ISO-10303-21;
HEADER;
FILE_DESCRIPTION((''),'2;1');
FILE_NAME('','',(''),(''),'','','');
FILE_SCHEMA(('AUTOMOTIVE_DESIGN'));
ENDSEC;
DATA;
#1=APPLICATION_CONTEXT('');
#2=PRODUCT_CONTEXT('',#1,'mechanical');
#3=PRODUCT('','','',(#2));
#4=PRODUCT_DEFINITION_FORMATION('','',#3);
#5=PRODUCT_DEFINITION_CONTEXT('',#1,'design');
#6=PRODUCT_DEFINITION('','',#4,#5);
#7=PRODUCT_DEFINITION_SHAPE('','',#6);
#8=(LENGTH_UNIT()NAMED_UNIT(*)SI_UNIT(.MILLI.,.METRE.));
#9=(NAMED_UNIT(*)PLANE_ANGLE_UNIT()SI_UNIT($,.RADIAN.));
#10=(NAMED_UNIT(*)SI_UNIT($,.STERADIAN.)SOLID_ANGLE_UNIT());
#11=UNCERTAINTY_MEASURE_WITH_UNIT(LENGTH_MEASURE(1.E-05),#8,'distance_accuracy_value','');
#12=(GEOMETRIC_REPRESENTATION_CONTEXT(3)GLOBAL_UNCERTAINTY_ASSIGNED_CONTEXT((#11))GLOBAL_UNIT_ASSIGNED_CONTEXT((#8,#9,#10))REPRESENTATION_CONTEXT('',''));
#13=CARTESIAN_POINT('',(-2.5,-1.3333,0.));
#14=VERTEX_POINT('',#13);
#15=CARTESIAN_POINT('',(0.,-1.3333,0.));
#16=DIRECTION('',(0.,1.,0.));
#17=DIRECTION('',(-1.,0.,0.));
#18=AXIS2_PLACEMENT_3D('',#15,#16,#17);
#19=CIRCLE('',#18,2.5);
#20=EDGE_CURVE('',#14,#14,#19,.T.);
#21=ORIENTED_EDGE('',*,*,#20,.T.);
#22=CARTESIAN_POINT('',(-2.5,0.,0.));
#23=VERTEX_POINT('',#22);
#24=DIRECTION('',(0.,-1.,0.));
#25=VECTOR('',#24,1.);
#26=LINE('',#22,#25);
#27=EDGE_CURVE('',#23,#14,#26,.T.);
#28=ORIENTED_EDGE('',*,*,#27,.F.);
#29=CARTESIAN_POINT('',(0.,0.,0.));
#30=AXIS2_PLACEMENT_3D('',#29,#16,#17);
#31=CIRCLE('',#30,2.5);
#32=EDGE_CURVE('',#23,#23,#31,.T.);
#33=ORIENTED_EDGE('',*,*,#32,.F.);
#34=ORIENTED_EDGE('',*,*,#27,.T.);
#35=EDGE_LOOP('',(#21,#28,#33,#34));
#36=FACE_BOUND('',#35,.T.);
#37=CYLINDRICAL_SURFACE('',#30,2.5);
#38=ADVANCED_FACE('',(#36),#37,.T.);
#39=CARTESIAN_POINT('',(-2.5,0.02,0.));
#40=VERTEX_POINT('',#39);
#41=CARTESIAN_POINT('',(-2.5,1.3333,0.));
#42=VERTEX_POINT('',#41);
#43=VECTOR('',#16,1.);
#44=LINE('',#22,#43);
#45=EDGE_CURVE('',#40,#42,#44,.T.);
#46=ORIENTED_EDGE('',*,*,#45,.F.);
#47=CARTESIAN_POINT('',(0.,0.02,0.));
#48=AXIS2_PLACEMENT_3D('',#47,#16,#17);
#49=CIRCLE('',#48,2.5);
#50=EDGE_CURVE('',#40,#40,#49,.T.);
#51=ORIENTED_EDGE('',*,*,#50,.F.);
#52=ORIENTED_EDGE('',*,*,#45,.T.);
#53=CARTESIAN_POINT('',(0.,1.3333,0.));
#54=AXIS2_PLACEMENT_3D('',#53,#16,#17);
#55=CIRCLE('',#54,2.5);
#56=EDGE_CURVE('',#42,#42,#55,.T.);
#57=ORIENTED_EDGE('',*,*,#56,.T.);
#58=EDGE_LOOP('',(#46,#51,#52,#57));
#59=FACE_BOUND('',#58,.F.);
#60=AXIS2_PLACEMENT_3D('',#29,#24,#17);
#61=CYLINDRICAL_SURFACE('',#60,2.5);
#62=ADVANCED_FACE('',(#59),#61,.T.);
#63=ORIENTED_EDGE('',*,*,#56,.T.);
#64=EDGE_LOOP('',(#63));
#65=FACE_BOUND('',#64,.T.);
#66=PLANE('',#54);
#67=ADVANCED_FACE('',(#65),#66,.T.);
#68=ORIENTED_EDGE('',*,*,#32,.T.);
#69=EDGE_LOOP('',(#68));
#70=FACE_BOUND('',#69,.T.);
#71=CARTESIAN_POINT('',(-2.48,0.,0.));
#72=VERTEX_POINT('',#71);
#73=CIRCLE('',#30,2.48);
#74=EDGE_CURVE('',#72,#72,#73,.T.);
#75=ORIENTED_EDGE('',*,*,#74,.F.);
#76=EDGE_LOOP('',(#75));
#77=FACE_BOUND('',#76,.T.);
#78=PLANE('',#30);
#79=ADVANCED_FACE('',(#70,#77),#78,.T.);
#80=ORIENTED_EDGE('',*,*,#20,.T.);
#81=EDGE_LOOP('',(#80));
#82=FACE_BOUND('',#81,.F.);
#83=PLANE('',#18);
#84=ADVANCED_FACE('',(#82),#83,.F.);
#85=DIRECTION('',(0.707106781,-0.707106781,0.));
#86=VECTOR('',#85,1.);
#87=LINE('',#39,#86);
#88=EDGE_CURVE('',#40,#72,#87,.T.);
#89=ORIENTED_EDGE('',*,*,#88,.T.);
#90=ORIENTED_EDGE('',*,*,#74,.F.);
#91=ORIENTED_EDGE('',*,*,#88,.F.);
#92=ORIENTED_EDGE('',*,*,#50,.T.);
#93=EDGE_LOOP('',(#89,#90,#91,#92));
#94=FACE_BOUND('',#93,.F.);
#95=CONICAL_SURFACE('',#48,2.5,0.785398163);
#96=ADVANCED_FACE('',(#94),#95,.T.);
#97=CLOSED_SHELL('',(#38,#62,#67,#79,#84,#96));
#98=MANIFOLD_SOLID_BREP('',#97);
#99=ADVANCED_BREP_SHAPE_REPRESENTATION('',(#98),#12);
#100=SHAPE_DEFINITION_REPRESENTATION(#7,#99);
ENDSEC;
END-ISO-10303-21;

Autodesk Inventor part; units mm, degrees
ref_plane "YZ Plane" through (0, 0, 0) normal (1, 0, 0) x (0, 1, 0)
ref_plane "XZ Plane" through (0, 0, 0) normal (0, 1, 0) x (-1, 0, 0)
ref_plane "XY Plane" through (0, 0, 0) normal (0, 0, 1) x (1, 0, 0)
sketch "Sketch1" plane through (0, 0, 0) normal (0, 1, 0) x (-1, 0, 0)
  circle A0 centre (0, 0) radius 2.5
  dimension "d0" = 5
extrude "Extrusion1" add sketch "Sketch1" along normal blind 1.3333
chamfer "Chamfer1" distance 0.02 angle 45 1 edges at (2.5, 0, 0)
extrude "Extrusion2" add sketch "Sketch1" against normal blind 1.3333
equation "\"d0\" = sensorMagnet_diameter"
equation "\"d1\" = 0.5 * sensorMagnet_height"
equation "\"d6\" = 0.5 * sensorMagnet_height"
equation "\"gap\" = 0.1"
equation "\"airgap\" = 0.4"
equation "\"driveMagnet_height\" = 5"
equation "\"halbachMagnet_height\" = 3"
equation "\"sensorMagnet_diameter\" = 5"
equation "\"sensorMagnet_height\" = 2.66667"
equation "\"wallgap\" = 2"
equation "\"motorRadius\" = 2 * gap + driveMagnet_centerSpacingRadius + driveMagnet_length + 2 * wallgap"
equation "\"shaftDiameter\" = 8"
equation "\"flangeBearing_outerDiameter\" = 16"
equation "\"flangeBearing_innerDiameter\" = shaftDiameter"
equation "\"flangeBearing_height\" = 5"
equation "\"flangeBearing_flangeHeight\" = 1"
equation "\"flangeBearing_flangeDiameter\" = 18"
equation "\"magnetTrapNut_height\" = 1.2"
equation "\"magnetTrapNut_sideToSide\" = 4"
equation "\"magnetTrapBolt_headHeight\" = 2"
equation "\"magnetTrapBolt_headDiameter\" = 3.98"
equation "\"magnetTrapBolt_diameter\" = 2"
equation "\"statorThickness\" = coilThickness + 2 * wallgap"
equation "\"rotor_mountingLipHeight\" = 0.5 * statorThickness"
equation "\"magnetTrapHexNut_sideToSide\" = 4"
equation "\"magnetTrapSquareNut_sideLength\" = 4"
equation "\"magnetTrapSquareNut_height\" = 1.2"
equation "\"magnetTrapHexNut_height\" = 1.2"
equation "\"rotorRadius\" = 2 * gap + driveMagnet_centerSpacingRadius + driveMagnet_length + wallgap"
equation "\"rotorBandSquareNut_sideLength\" = 4"
equation "\"rotorBandHexNut_height\" = 1.2"
equation "\"rotorBandHexNut_sideToSide\" = 4"
equation "\"rotorBandSquareNut_height\" = 1.2"
equation "\"rotorBandBolt_headHeight\" = 2"
equation "\"rotorBandBolt_headDiameter\" = 3.98"
equation "\"rotorBandBolt_diameter\" = 2"
equation "\"rotorBandThickness\" = wallgap + rotorBandBolt_headHeight + gap"
equation "\"flangeCoupling_collarOuterDiameter\" = 16"
equation "\"flangeCoupling_flangeHoleEdgeToEdge\" = 2.05"
equation "\"flangeCoupling_innerDiameter\" = shaftDiameter"
equation "\"flangeCoupling_flangeHoleDiameter\" = 3.9"
equation "\"flangeCoupling_flangeHeight\" = 3.1"
equation "\"flangeCoupling_flangeDiameter\" = 32"
equation "\"flangeCoupling_height\" = flangeCoupling_collarHeight + flangeCoupling_flangeHeight"
equation "\"flangeCoupling_mountHoleDiameter\" = 3.9"
equation "\"flangeCoupling_mountHoleEdgeToEdge\" = 2.05"
equation "\"statorRadius\" = driveMagnet_length + driveMagnet_centerSpacingRadius + 2 * gap"
equation "\"coilThickness\" = 12"
equation "\"statorMountBolt_diameter\" = 4"
equation "\"statorMountBolt_headDiameter\" = 7"
equation "\"statorMountBolt_headHeight\" = 4"
equation "\"statorMountBolt_shaftLength\" = coilThickness + flangeCoupling_flangeHeight + wallgap"
equation "\"statorMountHexNut_height\" = 4"
equation "\"statorMountHexNut_sideToSide\" = 8"
equation "\"sensorMagnet_ringRadius\" = 0.5 * driveMagnet_centerSpacingRadius + 2 * wallgap"
equation "\"coil_percentCoverage\" = 0.6"
equation "\"statorSpokeDegrees\" = 4deg"
equation "\"coil_bulge\" = 3"
equation "\"statorCoilBolt_shaftLength\" = coilThickness"
equation "\"statorCoilHexNut_height\" = 1.2"
equation "\"statorCoilBolt_headHeight\" = 2"
equation "\"statorCoilBolt_diameter\" = 2"
equation "\"statorCoilBolt_headDiameter\" = 3.98"
equation "\"statorCoilHexNut_sideToSide\" = 4"
equation "\"magnetWire_outerDiameter\" = 0.8128"
equation "\"printingLayerHeight\" = 0.2"
equation "\"circuitBoard_height\" = 1.6"
equation "\"hallEffectSensor_width\" = 1.6"
equation "\"hallEffectSensor_length\" = 3"
equation "\"hallEffectSensor_height\" = 1.1"
equation "\"hallEffectSensor_pinLength\" = 0.6"
equation "\"circuitboardMountHexNut_height\" = 1.2"
equation "\"circuitboardMountHexNut_sideToSide\" = 4"
equation "\"circuitboardMountBolt_headHeight\" = 2"
equation "\"circuitboardMountBolt_shaftLength\" = coilThickness"
equation "\"circuitboardMountBolt_diameter\" = 2"
equation "\"circuitboardMountBolt_headDiameter\" = 3.98"
equation "\"statorShellBolt_headDiameter\" = 5.68"
equation "\"statorShellHexNut_height\" = 2.3"
equation "\"statorShellBolt_shaftLength\" = statorThickness - statorShellBolt_countersinkDepth"
equation "\"statorShellBolt_headHeight\" = 3"
equation "\"statorShellHexNut_sideToSide\" = 5.3"
equation "\"statorShellBolt_diameter\" = 3"
equation "\"driveMagnet_centerSpacingRadius\" = 38.96113"
equation "\"driveMagnet_length\" = 60"
equation "\"flangeCoupling_collarHeight\" = 10"
equation "\"statorShellBolt_countersinkDepth\" = 3.4"
properties part number "SensorMagnet"
